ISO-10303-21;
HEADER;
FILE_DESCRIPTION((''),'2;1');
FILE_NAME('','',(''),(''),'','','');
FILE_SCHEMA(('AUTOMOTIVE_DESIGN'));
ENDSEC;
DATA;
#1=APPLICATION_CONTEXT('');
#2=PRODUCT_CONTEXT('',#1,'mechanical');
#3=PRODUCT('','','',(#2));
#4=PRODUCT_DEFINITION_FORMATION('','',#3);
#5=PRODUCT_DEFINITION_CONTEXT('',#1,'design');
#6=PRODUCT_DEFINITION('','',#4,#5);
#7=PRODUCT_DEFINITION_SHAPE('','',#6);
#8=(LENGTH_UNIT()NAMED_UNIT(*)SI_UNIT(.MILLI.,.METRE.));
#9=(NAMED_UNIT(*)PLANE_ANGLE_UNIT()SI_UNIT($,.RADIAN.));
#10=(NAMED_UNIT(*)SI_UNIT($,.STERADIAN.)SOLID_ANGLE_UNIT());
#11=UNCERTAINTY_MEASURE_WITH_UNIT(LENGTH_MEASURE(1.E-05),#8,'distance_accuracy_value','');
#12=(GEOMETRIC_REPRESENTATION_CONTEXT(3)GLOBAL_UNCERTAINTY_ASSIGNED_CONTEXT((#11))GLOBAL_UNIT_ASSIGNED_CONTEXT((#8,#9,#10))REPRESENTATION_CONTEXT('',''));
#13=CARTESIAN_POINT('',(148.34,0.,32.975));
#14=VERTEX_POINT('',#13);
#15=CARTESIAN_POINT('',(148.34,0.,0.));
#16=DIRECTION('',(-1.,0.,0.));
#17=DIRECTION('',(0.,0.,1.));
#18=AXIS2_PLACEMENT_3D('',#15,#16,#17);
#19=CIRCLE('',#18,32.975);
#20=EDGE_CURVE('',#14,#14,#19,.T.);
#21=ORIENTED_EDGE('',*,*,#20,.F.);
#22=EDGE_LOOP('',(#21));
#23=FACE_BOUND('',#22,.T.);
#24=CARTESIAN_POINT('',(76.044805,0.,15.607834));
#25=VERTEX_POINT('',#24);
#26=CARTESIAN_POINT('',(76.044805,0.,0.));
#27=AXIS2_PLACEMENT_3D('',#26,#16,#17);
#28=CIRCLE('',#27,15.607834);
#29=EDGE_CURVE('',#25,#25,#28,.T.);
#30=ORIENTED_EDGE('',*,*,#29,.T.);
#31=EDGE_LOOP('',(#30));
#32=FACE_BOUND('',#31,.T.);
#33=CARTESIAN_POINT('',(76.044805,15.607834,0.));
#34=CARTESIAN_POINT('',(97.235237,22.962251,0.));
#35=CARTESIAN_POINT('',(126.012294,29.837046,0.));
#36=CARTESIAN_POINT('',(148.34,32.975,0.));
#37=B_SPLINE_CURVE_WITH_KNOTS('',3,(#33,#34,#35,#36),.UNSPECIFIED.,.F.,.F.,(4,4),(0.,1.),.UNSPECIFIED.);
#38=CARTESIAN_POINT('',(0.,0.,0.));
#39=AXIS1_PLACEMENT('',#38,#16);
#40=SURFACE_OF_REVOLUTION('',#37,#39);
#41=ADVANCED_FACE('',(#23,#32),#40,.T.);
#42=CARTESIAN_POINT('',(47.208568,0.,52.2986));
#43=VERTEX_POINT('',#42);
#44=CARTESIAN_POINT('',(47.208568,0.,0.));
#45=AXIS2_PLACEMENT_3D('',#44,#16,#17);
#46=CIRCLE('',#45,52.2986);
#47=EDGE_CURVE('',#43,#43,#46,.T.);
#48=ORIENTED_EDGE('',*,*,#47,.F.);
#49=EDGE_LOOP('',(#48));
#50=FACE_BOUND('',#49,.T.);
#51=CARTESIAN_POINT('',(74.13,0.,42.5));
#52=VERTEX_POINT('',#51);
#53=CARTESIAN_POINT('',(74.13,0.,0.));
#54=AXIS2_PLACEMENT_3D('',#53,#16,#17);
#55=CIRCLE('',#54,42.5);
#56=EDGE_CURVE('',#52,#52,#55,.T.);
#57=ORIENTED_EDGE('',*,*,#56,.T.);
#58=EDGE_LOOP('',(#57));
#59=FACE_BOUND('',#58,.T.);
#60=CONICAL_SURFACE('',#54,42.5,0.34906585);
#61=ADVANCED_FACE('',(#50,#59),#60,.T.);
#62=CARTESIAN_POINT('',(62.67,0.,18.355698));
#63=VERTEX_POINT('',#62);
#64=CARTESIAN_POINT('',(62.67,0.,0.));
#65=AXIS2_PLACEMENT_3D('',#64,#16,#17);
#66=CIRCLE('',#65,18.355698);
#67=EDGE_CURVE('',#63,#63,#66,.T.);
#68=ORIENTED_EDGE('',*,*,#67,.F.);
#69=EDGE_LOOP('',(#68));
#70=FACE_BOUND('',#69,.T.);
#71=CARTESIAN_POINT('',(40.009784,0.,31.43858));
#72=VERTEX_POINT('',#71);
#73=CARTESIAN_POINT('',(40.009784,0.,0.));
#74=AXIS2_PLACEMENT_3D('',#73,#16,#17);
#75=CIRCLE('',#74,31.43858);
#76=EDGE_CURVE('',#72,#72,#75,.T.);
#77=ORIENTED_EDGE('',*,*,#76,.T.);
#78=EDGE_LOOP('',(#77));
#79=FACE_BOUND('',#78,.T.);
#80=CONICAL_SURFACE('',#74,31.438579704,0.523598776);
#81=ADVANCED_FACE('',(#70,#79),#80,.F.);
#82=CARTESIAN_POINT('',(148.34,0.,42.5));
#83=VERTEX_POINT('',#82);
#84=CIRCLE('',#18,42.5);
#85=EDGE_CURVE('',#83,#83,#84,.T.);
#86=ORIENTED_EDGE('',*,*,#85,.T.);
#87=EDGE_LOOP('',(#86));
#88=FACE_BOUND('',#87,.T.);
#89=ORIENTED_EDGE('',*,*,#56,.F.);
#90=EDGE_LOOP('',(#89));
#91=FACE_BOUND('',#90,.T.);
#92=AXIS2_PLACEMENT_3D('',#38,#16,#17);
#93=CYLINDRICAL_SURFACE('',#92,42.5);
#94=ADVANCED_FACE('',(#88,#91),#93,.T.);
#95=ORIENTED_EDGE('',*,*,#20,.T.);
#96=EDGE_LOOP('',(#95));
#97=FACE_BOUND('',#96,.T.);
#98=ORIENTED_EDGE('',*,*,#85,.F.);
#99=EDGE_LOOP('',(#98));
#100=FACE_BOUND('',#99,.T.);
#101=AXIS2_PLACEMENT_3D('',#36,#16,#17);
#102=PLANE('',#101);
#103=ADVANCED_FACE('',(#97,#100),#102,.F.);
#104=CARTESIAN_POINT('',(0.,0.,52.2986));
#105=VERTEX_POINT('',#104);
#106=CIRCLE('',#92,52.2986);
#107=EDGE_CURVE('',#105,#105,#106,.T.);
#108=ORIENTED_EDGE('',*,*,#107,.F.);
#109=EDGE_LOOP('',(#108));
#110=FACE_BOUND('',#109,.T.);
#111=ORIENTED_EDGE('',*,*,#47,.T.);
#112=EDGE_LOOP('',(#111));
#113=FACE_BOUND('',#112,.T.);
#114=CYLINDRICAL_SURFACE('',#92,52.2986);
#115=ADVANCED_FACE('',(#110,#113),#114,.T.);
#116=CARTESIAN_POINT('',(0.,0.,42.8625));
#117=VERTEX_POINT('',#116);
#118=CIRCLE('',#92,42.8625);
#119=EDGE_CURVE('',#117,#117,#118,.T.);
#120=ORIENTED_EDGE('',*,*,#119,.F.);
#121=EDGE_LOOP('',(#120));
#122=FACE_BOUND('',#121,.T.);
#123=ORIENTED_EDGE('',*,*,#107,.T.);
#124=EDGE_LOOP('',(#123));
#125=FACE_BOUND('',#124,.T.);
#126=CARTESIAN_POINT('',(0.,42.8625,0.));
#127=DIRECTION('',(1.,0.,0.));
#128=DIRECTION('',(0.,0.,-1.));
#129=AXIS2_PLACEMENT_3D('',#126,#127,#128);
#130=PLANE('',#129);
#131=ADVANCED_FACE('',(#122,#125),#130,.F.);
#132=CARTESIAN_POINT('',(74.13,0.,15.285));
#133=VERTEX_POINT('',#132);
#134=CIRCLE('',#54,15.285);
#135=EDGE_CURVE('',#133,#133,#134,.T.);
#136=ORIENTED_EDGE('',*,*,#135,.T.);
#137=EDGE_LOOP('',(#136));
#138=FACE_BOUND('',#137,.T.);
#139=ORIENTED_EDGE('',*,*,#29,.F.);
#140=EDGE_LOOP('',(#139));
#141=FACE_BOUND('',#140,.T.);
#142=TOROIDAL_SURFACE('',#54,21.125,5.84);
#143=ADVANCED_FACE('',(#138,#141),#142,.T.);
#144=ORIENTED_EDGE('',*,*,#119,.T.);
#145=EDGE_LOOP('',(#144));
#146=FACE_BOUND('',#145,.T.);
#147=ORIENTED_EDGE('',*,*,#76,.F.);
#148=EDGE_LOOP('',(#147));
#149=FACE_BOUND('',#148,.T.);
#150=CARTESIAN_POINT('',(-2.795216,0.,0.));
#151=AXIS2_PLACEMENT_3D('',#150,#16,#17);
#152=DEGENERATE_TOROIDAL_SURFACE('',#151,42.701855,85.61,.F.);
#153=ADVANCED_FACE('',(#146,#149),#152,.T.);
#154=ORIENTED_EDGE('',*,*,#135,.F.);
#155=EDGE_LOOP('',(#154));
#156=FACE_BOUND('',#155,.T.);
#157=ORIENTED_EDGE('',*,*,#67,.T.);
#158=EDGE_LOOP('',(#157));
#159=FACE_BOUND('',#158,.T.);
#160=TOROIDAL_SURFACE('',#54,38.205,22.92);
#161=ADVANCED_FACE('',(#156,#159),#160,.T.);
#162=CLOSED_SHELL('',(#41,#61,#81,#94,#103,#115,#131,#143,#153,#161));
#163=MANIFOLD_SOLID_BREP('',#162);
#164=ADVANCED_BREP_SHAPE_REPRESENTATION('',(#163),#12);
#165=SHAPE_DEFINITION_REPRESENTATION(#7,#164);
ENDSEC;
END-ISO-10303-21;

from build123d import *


with BuildPart() as part:
    # Sketch1 → Revolve1 (revolve)
    with BuildSketch(Plane.XY, mode=Mode.PRIVATE) as revolve1_sk:
        with BuildLine():
            Line((40.009783738, 31.438579704), (62.67, 18.355697745))
            ThreePointArc((62.67, 18.355697745), (68.197867486, 16.065980061), (74.13, 15.285))
            ThreePointArc((74.13, 15.285), (75.100914352, 15.366273985), (76.044804705, 15.607833794))
            add(Edge.make_bspline(
                [(76.044804705, 15.607833794), (97.235237256, 22.962250615), (126.012294015, 29.837045564), (148.34, 32.975)],
                knots=[0, 0, 0, 0, 1, 1, 1, 1], degree=3))
            Line((148.34, 32.975), (148.34, 42.5))
            Line((148.34, 42.5), (74.13, 42.5))
            Line((74.13, 42.5), (47.208567758, 52.2986))
            Line((47.208567758, 52.2986), (0, 52.2986))
            Line((0, 52.2986), (0, 42.8625))
            ThreePointArc((0, 42.8625), (20.709494319, 39.618255919), (40.009783738, 31.438579704))
        make_face()
    revolve(revolve1_sk.sketch.rotate(Axis((0, 0, 0), (1, 0, 0)), 90), axis=Axis((0, 0, 0), (1, 0, 0)))


solid = part.part
